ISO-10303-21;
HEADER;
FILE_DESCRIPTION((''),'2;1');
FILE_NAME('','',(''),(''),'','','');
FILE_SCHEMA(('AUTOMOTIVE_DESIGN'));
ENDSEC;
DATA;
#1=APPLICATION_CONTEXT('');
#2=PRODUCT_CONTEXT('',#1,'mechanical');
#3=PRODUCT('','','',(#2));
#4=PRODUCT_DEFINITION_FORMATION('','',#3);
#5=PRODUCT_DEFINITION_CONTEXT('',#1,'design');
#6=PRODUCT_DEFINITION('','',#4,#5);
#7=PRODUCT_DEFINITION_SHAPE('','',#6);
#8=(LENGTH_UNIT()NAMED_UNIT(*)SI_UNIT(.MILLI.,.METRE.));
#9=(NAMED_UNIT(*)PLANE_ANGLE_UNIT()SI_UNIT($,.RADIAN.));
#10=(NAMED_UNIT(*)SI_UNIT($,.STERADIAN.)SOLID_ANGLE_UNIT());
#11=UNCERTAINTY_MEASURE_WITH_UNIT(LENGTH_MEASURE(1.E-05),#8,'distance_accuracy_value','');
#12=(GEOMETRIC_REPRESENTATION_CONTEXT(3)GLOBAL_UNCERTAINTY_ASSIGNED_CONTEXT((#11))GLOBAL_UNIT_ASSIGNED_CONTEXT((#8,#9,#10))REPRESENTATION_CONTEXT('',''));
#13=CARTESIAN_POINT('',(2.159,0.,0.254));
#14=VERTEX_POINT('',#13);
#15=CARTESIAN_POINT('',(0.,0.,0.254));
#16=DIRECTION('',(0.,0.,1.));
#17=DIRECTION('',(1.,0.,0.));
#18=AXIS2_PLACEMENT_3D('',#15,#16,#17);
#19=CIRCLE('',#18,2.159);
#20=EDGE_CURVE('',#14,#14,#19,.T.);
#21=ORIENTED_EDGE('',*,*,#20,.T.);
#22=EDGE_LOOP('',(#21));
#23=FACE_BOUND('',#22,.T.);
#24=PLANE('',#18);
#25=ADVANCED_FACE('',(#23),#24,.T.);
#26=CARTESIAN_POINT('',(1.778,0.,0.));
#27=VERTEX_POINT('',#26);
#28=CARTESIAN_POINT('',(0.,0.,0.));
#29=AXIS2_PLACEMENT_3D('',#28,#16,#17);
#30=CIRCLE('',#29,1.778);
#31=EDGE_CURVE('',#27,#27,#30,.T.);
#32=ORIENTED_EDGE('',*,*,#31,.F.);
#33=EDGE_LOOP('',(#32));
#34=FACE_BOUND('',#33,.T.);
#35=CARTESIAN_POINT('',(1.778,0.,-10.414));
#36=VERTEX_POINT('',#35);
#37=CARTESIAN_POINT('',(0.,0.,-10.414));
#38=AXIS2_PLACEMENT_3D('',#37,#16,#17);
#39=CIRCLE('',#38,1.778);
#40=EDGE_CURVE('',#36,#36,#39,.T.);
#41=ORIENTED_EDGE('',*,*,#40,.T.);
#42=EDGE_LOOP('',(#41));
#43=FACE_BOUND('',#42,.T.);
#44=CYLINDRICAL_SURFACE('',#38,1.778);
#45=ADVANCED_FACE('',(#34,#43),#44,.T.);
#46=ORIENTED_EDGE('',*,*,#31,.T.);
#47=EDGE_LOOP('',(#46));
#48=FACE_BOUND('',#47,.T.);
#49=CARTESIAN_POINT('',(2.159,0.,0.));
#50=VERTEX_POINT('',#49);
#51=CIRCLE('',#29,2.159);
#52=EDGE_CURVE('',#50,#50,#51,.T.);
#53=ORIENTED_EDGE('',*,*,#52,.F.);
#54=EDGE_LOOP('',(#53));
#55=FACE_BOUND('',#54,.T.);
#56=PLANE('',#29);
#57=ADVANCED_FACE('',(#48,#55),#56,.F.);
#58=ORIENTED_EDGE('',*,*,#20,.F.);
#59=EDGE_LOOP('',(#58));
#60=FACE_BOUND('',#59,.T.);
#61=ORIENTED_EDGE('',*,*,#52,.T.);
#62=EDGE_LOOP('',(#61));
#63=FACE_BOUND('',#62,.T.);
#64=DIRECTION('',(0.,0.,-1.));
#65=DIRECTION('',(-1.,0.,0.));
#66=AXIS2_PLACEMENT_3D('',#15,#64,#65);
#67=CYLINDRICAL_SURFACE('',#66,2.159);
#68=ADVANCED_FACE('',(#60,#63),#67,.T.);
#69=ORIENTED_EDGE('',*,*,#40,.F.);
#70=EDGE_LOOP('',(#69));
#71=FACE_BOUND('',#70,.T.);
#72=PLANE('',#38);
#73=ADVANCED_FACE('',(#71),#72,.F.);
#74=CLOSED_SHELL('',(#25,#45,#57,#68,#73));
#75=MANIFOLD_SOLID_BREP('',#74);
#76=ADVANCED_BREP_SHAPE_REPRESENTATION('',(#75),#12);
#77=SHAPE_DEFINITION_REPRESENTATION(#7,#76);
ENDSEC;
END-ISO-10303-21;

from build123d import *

# Parameters (mm, degrees)
SKETCH1_R           = 1.778
BOSS_EXTRUDE1_DEPTH = 10.414
SKETCH2_R           = 2.159
BOSS_EXTRUDE2_DEPTH = 0.254


with BuildPart() as part:
    # Sketch1 → Boss-Extrude1 (new body)
    with BuildSketch(Plane.XY):
        Circle(SKETCH1_R)
    extrude(amount=-BOSS_EXTRUDE1_DEPTH)

    # Sketch2 → Boss-Extrude2 (add)
    with BuildSketch(Plane.XY):
        Circle(SKETCH2_R)
    extrude(amount=BOSS_EXTRUDE2_DEPTH)


solid = part.part
